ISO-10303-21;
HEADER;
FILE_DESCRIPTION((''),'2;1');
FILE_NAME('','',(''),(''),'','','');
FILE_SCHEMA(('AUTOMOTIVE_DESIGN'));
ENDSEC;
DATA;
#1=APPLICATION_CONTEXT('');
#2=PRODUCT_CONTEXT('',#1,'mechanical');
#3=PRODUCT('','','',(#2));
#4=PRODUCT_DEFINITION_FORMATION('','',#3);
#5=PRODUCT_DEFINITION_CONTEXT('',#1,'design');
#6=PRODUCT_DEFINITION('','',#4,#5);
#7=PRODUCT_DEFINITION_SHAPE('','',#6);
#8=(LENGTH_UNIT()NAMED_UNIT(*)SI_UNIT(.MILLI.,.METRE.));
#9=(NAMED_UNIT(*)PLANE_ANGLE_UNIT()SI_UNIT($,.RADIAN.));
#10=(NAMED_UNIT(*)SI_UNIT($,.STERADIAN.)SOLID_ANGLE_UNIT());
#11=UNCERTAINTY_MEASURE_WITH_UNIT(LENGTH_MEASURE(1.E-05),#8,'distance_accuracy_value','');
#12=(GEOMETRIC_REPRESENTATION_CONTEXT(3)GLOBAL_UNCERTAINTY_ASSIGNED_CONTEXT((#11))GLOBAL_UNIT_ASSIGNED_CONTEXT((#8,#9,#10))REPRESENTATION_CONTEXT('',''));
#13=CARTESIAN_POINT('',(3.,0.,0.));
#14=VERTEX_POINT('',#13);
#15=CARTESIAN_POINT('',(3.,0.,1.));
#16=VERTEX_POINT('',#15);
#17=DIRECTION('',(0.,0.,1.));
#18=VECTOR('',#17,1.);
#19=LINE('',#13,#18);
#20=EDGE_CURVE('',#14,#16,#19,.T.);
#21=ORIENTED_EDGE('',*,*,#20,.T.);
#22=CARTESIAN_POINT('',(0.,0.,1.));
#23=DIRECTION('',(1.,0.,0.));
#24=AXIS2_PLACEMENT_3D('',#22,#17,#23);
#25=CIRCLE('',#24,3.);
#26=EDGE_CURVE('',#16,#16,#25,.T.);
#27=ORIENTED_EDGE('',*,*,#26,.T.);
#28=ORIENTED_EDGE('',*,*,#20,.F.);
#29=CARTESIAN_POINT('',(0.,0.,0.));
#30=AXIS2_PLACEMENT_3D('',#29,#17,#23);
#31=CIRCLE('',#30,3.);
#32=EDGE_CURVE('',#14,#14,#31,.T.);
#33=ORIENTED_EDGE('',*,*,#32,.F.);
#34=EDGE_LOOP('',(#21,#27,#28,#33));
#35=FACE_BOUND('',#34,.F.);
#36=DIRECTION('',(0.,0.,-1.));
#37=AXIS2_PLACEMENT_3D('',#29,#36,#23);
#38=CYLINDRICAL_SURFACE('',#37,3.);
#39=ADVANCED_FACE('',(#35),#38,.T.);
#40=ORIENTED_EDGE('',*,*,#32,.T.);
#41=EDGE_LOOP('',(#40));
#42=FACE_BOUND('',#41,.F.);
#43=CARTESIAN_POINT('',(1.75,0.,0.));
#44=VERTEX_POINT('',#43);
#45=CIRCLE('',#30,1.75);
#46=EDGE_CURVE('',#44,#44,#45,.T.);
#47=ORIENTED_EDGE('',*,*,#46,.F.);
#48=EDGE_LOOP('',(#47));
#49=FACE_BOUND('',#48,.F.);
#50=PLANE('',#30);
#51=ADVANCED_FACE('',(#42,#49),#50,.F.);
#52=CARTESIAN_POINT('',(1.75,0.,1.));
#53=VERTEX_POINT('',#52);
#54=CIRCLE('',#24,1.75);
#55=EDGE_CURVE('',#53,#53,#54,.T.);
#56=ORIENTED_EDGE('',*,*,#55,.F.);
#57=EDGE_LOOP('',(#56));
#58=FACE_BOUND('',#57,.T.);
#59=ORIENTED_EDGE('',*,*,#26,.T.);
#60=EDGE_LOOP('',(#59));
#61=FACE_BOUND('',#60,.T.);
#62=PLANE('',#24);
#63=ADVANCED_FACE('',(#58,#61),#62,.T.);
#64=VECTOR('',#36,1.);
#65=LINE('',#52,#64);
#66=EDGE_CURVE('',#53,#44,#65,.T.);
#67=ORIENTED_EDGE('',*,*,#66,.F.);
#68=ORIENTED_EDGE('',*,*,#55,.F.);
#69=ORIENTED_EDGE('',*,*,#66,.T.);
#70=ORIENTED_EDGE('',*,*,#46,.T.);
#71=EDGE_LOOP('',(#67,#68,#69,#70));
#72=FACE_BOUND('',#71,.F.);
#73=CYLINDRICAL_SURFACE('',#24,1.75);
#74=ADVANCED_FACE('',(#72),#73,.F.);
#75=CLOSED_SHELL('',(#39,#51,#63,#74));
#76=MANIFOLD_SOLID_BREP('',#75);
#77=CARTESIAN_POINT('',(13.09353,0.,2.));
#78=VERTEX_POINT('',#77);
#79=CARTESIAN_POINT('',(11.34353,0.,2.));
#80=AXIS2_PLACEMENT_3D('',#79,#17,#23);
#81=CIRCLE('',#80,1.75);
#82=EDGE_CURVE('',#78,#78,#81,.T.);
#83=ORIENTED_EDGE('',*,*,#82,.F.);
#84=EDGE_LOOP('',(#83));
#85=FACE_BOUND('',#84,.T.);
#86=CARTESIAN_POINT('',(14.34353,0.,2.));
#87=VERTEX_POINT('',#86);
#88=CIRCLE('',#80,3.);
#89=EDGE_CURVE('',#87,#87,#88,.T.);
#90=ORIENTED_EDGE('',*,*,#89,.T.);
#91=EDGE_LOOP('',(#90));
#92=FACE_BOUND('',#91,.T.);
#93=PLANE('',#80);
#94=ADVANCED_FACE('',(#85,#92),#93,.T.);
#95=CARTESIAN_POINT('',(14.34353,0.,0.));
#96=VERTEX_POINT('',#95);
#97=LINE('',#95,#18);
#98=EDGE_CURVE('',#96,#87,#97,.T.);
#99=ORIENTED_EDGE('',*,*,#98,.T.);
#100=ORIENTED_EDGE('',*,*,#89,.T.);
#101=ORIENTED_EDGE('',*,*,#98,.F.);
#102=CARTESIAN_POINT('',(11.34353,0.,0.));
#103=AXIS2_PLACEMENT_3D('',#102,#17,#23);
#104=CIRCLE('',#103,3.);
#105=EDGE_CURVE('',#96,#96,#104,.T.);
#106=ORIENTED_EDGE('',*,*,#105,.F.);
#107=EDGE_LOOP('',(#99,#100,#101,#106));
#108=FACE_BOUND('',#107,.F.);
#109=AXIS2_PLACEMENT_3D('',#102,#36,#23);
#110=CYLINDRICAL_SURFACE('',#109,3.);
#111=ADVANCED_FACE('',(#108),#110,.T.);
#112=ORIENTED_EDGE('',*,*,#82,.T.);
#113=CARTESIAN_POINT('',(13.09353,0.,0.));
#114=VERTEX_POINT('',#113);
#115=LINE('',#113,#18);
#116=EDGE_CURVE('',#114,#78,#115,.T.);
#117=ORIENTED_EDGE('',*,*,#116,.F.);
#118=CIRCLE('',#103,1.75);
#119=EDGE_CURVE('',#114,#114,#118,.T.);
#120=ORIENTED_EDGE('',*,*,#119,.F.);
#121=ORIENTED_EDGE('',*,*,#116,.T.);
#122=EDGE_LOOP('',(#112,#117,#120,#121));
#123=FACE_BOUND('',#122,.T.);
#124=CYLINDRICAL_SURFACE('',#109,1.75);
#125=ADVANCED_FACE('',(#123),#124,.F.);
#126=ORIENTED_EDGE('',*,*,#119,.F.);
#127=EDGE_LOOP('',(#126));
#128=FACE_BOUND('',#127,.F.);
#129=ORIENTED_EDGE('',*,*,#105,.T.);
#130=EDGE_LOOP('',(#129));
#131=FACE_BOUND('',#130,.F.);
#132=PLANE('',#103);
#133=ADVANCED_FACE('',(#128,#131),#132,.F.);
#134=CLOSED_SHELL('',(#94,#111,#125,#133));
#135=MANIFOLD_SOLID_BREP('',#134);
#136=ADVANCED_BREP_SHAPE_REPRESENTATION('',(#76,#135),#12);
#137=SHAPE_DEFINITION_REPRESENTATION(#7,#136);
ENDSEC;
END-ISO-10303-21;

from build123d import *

# Parameters (mm, degrees)
F0_R     = 3
F1_DEPTH = 1
F2_R     = 1.75
F3_DEPTH = 25
F4_R     = 3
F4_R_2   = 1.75
F5_DEPTH = 2


with BuildPart() as f1:
    # F0 (on Top) → F1 (new body)
    with BuildSketch(Plane.XY):
        Circle(F0_R)
    extrude(amount=F1_DEPTH)

    # F2 (on face) → F3 (cut)
    with BuildSketch(Plane.XY.offset(1)):
        Circle(F2_R)
    extrude(amount=-F3_DEPTH, mode=Mode.SUBTRACT)


with BuildPart() as f5:
    # F4 (on Top) → F5 (new body)
    with BuildSketch(Plane.XY):
        with Locations((11.34353, 0)):
            Circle(F4_R)
        with Locations((11.34353, 0)):
            Circle(F4_R_2, mode=Mode.SUBTRACT)
    extrude(amount=F5_DEPTH)


solid = Compound([f1.part, f5.part])
